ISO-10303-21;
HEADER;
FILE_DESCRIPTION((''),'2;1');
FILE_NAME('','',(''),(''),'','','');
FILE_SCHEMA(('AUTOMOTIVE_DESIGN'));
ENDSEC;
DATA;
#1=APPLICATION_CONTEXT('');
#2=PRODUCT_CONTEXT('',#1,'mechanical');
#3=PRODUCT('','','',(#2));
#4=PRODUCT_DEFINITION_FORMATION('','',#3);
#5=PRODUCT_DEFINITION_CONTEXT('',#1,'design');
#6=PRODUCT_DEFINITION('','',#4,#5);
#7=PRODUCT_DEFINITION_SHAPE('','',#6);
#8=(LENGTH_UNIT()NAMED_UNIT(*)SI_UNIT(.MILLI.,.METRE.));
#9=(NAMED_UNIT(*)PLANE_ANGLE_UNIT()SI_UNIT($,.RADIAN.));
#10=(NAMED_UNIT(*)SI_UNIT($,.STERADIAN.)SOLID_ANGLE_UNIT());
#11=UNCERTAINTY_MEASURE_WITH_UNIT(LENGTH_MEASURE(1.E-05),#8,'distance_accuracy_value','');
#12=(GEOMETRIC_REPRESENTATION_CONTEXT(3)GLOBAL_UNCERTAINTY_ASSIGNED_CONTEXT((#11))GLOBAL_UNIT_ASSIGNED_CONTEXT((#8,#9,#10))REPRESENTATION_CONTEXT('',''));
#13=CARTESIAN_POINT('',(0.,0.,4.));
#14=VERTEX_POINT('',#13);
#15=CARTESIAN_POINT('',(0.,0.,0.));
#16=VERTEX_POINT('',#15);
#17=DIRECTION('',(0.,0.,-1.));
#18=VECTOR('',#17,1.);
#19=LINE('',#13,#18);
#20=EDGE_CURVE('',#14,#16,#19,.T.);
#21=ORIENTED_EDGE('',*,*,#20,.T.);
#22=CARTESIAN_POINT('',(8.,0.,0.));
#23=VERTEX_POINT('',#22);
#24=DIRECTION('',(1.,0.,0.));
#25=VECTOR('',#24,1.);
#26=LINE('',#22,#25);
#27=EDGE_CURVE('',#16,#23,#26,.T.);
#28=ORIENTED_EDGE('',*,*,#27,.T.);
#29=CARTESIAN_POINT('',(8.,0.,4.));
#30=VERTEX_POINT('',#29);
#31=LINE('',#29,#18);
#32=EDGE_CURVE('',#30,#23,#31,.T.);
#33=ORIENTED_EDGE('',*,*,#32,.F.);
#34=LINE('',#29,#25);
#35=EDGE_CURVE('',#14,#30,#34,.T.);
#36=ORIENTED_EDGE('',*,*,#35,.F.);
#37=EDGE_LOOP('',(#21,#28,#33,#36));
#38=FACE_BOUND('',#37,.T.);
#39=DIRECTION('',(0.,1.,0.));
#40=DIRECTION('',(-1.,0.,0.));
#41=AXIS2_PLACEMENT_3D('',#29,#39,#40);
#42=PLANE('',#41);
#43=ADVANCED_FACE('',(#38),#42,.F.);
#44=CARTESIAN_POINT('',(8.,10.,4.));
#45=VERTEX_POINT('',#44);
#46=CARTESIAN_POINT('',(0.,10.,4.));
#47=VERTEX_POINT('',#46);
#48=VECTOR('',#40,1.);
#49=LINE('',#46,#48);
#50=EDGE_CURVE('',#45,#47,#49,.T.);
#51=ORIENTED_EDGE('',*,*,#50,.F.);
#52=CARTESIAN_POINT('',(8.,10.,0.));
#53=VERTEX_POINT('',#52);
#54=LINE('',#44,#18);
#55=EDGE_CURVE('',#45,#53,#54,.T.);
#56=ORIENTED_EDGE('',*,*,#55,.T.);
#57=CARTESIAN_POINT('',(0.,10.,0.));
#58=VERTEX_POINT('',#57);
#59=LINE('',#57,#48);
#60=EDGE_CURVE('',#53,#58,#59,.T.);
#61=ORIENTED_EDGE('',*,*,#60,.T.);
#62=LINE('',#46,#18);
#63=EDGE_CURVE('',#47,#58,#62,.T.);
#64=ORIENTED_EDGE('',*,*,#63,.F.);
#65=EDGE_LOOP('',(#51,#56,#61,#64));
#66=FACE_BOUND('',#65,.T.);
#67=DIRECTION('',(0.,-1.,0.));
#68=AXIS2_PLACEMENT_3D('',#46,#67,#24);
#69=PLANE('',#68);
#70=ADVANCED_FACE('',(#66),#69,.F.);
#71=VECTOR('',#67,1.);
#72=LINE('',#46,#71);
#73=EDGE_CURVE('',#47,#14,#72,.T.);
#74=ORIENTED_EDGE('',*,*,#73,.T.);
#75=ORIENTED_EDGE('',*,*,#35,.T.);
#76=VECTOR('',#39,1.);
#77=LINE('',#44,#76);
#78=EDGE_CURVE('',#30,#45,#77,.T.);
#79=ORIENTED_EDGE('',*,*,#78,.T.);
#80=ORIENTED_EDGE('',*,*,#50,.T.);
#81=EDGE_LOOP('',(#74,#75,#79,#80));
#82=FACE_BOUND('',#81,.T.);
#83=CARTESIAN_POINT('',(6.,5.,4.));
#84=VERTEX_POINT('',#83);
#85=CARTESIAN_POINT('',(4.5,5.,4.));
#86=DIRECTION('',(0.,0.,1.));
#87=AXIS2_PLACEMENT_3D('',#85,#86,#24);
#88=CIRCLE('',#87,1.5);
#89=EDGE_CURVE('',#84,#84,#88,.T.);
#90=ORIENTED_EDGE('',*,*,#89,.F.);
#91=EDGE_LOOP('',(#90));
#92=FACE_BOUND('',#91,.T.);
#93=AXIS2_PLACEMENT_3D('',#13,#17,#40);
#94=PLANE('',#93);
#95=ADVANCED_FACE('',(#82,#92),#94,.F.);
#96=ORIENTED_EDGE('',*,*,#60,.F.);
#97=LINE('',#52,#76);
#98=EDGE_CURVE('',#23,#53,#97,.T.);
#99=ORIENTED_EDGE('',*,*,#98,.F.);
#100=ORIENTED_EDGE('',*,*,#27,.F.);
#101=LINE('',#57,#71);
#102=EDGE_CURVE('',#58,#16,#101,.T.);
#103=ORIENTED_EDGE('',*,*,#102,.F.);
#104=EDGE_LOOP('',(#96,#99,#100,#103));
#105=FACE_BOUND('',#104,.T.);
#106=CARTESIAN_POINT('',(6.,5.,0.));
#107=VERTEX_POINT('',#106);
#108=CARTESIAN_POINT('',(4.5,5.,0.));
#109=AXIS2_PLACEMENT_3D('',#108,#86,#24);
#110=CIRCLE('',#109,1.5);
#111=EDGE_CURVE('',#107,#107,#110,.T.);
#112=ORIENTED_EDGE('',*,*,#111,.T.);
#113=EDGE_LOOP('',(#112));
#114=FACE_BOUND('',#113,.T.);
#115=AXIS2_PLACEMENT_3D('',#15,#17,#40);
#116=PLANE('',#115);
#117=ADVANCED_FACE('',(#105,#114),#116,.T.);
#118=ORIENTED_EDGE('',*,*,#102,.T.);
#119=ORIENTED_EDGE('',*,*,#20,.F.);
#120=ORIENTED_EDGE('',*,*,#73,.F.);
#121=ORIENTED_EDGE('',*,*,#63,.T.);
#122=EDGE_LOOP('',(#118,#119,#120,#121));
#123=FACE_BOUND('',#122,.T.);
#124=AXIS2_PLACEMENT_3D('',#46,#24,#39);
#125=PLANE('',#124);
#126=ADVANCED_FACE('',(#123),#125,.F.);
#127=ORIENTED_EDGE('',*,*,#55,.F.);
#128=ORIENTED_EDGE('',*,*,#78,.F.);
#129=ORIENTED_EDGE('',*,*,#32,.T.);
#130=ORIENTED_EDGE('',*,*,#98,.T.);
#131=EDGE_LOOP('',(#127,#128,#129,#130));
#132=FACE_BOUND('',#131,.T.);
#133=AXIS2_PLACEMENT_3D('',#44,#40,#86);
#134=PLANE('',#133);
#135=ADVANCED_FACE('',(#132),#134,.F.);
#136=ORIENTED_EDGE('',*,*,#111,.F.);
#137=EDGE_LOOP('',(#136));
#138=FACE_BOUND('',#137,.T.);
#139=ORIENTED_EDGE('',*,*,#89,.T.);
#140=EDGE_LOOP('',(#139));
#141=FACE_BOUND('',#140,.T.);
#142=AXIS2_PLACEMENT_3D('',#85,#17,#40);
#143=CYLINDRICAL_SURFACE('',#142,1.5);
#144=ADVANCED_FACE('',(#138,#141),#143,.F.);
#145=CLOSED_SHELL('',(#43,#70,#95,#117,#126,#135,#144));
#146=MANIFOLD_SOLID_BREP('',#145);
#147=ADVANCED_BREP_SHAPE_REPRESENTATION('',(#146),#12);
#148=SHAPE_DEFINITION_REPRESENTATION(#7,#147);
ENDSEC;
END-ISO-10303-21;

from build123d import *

# Parameters (mm, degrees)
SKETCH1_W           = 8
SKETCH1_H           = 10
SKETCH1_R           = 1.5
BOSS_EXTRUDE1_DEPTH = 4


with BuildPart() as part:
    # Sketch1 → Boss-Extrude1 (new body)
    with BuildSketch(Plane.XY):
        with Locations((4, 5)):
            Rectangle(SKETCH1_W, SKETCH1_H)
        with Locations((4.5, 5)):
            Circle(SKETCH1_R, mode=Mode.SUBTRACT)
    extrude(amount=BOSS_EXTRUDE1_DEPTH)


solid = part.part
